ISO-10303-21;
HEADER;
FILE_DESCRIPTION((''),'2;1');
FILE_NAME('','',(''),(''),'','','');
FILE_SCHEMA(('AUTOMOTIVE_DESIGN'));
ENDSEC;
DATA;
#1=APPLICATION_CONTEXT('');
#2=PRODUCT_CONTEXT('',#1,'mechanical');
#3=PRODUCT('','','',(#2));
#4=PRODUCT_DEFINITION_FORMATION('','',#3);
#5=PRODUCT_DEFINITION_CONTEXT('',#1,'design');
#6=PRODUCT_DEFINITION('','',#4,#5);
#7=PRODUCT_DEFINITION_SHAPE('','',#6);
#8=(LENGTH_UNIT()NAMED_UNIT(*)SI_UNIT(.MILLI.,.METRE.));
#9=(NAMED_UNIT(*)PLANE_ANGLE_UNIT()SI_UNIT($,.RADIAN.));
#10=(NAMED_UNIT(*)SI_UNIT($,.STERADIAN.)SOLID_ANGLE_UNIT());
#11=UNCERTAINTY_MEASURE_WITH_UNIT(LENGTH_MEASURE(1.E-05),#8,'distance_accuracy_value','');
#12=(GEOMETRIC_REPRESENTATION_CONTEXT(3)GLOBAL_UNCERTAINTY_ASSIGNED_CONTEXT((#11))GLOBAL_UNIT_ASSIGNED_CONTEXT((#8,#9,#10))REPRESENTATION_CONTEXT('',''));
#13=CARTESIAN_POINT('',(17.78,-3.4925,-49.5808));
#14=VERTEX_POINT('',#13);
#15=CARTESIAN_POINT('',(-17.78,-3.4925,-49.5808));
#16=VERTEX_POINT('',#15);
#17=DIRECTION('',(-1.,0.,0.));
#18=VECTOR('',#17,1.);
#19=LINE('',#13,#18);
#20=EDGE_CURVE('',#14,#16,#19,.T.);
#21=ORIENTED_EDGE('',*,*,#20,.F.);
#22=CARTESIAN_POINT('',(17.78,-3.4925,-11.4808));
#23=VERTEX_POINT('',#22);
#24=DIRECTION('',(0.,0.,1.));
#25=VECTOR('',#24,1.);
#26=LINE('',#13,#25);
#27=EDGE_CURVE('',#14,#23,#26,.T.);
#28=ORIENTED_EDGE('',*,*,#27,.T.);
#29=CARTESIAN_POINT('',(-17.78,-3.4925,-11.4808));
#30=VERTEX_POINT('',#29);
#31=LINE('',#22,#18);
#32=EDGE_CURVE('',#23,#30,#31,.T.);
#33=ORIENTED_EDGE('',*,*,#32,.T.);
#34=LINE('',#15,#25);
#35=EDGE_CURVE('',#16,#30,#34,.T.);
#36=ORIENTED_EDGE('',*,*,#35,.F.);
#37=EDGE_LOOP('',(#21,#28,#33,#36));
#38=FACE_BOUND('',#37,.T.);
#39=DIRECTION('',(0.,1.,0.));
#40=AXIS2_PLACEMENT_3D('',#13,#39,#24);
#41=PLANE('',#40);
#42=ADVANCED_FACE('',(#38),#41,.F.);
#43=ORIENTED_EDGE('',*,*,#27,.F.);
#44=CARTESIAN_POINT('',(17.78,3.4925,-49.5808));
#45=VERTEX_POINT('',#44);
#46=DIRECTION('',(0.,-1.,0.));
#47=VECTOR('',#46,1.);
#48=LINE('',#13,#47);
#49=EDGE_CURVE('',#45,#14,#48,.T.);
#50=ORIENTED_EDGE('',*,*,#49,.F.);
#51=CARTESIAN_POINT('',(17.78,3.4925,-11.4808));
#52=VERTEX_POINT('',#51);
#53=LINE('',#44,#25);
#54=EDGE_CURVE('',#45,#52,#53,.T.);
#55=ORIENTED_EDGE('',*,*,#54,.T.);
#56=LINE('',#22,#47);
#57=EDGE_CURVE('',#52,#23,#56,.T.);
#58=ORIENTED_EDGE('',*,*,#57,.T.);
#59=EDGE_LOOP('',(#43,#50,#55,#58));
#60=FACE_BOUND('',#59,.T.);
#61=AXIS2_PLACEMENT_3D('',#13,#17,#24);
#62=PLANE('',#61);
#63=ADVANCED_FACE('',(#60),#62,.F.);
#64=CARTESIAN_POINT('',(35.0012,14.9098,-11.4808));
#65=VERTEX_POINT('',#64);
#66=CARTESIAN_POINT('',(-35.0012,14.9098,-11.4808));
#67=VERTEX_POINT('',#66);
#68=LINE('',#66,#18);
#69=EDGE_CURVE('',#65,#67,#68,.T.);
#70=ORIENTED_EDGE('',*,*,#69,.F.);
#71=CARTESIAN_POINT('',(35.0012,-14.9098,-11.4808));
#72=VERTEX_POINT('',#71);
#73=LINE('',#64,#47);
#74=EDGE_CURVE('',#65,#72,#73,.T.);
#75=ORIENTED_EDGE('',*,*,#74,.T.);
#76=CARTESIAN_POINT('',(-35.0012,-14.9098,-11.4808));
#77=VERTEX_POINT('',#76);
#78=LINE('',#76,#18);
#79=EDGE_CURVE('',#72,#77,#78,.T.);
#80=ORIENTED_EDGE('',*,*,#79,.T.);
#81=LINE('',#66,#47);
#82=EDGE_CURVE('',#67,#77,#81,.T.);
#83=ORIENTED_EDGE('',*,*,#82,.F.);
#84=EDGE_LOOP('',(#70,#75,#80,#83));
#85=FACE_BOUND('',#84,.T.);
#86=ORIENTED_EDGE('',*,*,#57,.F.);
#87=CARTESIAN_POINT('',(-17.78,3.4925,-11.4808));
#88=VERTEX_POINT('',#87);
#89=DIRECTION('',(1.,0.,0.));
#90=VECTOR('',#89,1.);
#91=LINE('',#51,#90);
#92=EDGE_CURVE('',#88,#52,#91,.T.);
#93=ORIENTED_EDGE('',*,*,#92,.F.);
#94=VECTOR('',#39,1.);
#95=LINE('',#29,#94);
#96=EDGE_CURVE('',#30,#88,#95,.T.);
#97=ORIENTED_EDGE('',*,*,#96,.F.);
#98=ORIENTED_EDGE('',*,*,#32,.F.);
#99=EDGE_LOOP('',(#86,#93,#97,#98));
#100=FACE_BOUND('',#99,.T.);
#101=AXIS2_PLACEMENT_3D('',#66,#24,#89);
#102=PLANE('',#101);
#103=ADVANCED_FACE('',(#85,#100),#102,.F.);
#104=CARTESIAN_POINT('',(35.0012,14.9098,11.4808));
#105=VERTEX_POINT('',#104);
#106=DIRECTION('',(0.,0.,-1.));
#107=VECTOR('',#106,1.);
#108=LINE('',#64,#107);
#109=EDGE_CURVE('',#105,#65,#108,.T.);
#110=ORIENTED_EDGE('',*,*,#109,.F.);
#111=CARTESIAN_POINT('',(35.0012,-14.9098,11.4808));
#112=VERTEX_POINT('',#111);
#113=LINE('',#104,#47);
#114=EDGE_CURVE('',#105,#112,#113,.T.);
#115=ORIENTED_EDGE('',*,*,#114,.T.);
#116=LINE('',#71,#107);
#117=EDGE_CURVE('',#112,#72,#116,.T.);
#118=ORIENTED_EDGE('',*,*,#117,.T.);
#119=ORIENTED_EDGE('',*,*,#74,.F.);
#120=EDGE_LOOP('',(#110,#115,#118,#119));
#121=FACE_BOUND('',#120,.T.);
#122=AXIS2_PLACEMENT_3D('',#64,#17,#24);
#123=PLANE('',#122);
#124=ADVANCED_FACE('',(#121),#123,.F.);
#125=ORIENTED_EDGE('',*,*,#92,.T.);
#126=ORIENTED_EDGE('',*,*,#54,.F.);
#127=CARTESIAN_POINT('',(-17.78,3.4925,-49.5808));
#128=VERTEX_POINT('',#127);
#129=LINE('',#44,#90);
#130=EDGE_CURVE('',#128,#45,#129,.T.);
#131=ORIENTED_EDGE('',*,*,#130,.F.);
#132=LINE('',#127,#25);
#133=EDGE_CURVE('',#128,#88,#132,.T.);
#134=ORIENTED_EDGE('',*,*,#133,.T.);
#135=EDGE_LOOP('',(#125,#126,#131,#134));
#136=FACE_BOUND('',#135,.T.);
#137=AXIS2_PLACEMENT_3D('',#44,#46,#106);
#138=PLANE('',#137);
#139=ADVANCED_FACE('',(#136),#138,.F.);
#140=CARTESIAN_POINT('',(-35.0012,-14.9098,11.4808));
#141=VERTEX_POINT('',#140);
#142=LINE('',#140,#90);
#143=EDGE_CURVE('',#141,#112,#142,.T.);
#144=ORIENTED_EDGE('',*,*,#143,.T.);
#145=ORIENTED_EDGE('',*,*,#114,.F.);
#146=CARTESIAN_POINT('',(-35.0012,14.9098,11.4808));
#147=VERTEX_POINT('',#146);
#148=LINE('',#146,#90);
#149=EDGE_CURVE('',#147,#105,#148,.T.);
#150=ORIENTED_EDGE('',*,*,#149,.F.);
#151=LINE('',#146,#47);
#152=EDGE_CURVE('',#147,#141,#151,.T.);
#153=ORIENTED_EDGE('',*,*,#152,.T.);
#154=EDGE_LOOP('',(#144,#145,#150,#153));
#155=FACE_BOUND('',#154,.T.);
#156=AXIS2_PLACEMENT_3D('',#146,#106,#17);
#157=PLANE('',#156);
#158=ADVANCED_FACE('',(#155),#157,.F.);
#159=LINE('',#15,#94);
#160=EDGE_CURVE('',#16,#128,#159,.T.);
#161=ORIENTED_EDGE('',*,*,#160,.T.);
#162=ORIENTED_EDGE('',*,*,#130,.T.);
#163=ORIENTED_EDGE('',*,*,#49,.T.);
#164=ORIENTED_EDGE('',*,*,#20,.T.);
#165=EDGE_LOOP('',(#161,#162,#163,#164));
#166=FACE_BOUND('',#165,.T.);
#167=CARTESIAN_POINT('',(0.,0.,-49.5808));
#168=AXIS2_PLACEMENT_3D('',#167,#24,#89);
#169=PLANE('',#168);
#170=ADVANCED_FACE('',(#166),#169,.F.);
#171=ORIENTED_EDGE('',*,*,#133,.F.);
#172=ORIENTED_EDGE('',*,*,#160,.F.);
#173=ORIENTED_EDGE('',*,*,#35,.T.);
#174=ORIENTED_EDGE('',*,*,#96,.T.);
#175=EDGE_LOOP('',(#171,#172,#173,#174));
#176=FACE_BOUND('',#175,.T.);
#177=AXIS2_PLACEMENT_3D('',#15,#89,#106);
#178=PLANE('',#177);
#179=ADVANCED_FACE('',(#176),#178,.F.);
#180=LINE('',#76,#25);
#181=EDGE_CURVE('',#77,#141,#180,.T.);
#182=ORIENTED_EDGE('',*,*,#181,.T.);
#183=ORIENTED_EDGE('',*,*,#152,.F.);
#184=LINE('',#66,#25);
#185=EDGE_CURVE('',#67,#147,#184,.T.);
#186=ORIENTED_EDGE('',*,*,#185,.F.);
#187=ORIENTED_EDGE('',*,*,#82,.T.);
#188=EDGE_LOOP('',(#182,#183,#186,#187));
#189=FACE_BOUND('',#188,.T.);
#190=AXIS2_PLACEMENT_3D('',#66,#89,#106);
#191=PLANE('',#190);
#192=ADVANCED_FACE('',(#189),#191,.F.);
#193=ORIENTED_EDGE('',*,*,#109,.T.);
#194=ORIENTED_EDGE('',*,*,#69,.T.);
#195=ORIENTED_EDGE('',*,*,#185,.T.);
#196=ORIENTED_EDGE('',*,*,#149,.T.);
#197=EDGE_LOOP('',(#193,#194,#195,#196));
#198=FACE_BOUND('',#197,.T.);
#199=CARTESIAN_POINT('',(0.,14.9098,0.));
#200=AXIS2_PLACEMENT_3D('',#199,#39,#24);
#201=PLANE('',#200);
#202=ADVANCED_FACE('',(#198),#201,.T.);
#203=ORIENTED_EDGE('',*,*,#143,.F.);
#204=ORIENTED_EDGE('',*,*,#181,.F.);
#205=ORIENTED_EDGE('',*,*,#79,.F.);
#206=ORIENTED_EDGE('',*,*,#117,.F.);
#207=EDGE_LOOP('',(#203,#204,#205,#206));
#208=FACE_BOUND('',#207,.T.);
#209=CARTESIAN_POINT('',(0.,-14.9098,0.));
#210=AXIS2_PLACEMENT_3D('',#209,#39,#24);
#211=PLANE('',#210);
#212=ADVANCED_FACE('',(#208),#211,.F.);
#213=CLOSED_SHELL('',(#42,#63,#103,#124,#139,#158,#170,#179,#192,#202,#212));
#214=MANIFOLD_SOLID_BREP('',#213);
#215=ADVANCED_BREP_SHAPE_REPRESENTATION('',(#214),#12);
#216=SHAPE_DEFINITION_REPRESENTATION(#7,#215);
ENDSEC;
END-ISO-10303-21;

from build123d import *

# Parameters (mm, degrees)
SKETCH1_W           = 70.0024
SKETCH1_H           = 22.9616
BOSS_EXTRUDE1_DEPTH = 14.9098
SKETCH2_W           = 35.56
SKETCH2_H           = 6.985
BOSS_EXTRUDE2_DEPTH = 38.1


with BuildPart() as part:
    # Sketch1 → Boss-Extrude1 (new, symmetric)
    with BuildSketch(Plane(origin=(0, 0, 0), x_dir=(1, 0, 0), z_dir=(0, 1, 0))):
        Rectangle(SKETCH1_W, SKETCH1_H)
    extrude(amount=BOSS_EXTRUDE1_DEPTH, both=True)

    # Sketch2 → Boss-Extrude2 (add)
    with BuildSketch(Plane(origin=(0, 0, -11.4808), x_dir=(-1, 0, 0), z_dir=(0, 0, -1))):
        Rectangle(SKETCH2_W, SKETCH2_H)
    extrude(amount=BOSS_EXTRUDE2_DEPTH)


solid = part.part
